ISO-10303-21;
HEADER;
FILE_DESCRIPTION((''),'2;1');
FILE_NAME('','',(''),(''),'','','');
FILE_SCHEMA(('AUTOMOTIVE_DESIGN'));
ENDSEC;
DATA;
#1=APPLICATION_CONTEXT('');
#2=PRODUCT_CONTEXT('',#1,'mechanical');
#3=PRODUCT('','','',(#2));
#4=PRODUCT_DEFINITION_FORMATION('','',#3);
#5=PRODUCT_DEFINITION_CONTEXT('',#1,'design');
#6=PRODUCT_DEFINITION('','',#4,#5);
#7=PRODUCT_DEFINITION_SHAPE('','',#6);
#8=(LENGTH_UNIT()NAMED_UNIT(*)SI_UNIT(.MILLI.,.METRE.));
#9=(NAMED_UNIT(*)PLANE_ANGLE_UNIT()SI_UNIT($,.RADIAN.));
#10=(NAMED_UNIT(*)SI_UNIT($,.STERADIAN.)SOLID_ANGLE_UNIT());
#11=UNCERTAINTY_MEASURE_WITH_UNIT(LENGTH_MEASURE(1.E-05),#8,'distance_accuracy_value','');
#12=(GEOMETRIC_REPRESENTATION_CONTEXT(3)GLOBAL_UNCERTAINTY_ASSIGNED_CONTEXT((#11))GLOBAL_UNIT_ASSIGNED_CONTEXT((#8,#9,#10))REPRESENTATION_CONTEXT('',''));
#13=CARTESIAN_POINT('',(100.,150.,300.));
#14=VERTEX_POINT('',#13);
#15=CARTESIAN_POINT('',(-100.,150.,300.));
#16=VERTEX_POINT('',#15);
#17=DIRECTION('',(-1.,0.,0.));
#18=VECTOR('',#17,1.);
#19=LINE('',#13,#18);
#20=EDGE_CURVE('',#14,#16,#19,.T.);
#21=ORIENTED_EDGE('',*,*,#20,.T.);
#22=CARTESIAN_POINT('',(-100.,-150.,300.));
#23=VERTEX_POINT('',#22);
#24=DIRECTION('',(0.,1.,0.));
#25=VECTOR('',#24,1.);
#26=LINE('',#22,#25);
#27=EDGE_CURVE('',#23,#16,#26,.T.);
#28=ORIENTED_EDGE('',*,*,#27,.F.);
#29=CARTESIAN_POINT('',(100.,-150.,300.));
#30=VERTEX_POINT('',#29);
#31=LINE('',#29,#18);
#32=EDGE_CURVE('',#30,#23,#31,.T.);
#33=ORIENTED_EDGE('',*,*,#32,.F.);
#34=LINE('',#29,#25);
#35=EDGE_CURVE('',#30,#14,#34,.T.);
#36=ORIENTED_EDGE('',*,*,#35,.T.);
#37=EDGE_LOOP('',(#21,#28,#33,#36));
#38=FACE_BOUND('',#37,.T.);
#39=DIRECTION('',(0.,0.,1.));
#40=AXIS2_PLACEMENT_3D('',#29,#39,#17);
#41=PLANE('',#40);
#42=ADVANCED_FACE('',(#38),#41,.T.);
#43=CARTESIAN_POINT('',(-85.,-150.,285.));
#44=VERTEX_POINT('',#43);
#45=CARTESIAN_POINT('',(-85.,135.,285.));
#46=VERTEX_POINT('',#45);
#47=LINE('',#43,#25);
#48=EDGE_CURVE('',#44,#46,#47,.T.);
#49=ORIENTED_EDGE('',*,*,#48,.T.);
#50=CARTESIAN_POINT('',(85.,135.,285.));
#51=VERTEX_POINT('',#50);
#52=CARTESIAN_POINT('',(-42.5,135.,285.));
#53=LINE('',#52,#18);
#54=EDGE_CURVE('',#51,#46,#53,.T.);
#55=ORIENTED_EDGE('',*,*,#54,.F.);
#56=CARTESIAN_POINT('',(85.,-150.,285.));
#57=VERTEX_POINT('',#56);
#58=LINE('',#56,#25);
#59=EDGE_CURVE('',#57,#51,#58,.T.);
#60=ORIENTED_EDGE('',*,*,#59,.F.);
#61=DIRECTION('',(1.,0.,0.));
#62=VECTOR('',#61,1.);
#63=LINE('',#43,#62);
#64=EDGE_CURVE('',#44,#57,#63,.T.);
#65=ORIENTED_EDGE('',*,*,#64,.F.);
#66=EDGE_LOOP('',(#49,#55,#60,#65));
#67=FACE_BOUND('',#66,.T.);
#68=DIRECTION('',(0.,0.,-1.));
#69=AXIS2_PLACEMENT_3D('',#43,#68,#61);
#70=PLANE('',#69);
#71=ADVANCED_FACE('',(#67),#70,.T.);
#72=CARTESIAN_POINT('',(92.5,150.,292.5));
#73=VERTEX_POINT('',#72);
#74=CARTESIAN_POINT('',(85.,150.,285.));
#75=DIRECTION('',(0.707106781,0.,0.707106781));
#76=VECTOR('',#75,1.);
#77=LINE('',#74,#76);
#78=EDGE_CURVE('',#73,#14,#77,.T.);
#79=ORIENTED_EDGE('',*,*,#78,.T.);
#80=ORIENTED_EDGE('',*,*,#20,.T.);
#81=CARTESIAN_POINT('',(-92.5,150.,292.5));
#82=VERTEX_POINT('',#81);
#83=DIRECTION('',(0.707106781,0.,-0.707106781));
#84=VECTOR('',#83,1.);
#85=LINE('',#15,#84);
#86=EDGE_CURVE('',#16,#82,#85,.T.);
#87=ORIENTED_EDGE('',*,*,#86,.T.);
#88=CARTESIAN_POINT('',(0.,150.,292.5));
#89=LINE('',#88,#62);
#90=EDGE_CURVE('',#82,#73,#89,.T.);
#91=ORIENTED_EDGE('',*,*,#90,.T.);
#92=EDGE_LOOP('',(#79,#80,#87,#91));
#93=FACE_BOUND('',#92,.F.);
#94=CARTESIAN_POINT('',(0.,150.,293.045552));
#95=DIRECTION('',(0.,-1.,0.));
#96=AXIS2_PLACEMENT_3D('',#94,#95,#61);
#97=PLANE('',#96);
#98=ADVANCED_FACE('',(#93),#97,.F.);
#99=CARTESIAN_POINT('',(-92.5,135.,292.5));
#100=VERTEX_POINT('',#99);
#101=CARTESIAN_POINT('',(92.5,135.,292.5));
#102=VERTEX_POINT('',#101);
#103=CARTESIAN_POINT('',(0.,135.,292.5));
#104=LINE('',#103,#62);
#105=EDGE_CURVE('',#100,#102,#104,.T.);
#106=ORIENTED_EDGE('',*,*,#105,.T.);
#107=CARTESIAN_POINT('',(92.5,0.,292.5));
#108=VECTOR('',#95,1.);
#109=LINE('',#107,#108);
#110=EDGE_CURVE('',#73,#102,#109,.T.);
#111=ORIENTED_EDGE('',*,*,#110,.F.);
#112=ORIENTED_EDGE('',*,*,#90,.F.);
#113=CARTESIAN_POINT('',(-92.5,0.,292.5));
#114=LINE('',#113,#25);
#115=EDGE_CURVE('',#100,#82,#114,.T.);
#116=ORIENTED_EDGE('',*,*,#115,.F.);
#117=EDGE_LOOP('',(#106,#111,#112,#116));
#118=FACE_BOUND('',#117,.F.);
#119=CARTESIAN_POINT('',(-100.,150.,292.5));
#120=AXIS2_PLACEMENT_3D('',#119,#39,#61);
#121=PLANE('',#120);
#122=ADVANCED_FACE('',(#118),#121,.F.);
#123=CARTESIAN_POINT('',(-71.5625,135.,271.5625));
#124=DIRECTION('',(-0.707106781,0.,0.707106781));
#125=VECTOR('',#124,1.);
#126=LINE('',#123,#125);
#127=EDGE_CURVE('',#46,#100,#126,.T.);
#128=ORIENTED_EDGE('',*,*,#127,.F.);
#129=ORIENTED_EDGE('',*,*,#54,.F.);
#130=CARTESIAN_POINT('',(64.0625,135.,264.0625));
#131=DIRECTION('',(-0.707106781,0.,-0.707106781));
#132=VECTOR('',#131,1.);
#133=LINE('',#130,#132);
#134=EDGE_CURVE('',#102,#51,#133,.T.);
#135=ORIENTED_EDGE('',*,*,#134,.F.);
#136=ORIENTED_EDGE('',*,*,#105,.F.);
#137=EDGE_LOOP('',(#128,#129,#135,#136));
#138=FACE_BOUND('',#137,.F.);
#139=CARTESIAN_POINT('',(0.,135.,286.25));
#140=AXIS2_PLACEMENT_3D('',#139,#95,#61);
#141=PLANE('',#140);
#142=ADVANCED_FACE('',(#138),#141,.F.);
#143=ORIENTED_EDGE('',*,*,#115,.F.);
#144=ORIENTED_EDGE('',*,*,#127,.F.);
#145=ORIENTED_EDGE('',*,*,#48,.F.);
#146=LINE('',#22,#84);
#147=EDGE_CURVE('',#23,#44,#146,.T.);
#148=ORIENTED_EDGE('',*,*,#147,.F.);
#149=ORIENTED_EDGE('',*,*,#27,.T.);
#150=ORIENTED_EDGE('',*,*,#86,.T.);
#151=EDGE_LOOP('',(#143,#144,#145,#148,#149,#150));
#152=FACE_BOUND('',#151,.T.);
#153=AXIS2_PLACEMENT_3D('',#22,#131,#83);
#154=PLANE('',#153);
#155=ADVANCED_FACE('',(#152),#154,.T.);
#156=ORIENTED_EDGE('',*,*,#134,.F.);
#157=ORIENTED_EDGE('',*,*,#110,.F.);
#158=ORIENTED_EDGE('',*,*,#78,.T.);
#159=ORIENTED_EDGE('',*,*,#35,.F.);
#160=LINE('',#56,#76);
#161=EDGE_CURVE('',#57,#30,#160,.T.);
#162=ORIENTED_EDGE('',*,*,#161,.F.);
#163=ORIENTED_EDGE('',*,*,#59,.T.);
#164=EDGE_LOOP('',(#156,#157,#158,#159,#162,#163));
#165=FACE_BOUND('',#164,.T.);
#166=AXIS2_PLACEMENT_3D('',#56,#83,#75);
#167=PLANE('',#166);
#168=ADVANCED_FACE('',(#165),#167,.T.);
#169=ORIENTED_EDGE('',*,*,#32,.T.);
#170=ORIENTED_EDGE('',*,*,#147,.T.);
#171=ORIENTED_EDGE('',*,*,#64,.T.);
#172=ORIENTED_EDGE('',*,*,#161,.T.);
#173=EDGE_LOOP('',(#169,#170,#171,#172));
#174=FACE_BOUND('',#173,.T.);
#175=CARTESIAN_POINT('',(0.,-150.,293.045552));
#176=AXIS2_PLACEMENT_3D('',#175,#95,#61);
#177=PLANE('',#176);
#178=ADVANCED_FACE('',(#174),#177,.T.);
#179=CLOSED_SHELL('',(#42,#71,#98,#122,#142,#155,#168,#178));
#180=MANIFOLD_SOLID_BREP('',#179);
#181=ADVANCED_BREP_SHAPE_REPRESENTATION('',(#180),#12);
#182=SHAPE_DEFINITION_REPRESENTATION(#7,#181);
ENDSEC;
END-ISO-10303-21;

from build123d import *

# Parameters (mm, degrees)
F6_DEPTH = 300
F7_W     = 200
F7_H     = 12.5
F8_DEPTH = 15


with BuildPart() as f6:
    # F5 (on offset) → F6 (new body, through all)
    with BuildSketch(Plane.XZ.offset(150)):
        Polygon((100, 300), (-100, 300), (-85, 285), (85, 285), align=None)
    extrude(amount=-F6_DEPTH)

    # F7 (on offset) → F8 (cut)
    with BuildSketch(Plane.XZ.offset(-150)):
        with Locations((0, 286.25)):
            Rectangle(F7_W, F7_H)
    extrude(amount=F8_DEPTH, mode=Mode.SUBTRACT)


solid = f6.part
